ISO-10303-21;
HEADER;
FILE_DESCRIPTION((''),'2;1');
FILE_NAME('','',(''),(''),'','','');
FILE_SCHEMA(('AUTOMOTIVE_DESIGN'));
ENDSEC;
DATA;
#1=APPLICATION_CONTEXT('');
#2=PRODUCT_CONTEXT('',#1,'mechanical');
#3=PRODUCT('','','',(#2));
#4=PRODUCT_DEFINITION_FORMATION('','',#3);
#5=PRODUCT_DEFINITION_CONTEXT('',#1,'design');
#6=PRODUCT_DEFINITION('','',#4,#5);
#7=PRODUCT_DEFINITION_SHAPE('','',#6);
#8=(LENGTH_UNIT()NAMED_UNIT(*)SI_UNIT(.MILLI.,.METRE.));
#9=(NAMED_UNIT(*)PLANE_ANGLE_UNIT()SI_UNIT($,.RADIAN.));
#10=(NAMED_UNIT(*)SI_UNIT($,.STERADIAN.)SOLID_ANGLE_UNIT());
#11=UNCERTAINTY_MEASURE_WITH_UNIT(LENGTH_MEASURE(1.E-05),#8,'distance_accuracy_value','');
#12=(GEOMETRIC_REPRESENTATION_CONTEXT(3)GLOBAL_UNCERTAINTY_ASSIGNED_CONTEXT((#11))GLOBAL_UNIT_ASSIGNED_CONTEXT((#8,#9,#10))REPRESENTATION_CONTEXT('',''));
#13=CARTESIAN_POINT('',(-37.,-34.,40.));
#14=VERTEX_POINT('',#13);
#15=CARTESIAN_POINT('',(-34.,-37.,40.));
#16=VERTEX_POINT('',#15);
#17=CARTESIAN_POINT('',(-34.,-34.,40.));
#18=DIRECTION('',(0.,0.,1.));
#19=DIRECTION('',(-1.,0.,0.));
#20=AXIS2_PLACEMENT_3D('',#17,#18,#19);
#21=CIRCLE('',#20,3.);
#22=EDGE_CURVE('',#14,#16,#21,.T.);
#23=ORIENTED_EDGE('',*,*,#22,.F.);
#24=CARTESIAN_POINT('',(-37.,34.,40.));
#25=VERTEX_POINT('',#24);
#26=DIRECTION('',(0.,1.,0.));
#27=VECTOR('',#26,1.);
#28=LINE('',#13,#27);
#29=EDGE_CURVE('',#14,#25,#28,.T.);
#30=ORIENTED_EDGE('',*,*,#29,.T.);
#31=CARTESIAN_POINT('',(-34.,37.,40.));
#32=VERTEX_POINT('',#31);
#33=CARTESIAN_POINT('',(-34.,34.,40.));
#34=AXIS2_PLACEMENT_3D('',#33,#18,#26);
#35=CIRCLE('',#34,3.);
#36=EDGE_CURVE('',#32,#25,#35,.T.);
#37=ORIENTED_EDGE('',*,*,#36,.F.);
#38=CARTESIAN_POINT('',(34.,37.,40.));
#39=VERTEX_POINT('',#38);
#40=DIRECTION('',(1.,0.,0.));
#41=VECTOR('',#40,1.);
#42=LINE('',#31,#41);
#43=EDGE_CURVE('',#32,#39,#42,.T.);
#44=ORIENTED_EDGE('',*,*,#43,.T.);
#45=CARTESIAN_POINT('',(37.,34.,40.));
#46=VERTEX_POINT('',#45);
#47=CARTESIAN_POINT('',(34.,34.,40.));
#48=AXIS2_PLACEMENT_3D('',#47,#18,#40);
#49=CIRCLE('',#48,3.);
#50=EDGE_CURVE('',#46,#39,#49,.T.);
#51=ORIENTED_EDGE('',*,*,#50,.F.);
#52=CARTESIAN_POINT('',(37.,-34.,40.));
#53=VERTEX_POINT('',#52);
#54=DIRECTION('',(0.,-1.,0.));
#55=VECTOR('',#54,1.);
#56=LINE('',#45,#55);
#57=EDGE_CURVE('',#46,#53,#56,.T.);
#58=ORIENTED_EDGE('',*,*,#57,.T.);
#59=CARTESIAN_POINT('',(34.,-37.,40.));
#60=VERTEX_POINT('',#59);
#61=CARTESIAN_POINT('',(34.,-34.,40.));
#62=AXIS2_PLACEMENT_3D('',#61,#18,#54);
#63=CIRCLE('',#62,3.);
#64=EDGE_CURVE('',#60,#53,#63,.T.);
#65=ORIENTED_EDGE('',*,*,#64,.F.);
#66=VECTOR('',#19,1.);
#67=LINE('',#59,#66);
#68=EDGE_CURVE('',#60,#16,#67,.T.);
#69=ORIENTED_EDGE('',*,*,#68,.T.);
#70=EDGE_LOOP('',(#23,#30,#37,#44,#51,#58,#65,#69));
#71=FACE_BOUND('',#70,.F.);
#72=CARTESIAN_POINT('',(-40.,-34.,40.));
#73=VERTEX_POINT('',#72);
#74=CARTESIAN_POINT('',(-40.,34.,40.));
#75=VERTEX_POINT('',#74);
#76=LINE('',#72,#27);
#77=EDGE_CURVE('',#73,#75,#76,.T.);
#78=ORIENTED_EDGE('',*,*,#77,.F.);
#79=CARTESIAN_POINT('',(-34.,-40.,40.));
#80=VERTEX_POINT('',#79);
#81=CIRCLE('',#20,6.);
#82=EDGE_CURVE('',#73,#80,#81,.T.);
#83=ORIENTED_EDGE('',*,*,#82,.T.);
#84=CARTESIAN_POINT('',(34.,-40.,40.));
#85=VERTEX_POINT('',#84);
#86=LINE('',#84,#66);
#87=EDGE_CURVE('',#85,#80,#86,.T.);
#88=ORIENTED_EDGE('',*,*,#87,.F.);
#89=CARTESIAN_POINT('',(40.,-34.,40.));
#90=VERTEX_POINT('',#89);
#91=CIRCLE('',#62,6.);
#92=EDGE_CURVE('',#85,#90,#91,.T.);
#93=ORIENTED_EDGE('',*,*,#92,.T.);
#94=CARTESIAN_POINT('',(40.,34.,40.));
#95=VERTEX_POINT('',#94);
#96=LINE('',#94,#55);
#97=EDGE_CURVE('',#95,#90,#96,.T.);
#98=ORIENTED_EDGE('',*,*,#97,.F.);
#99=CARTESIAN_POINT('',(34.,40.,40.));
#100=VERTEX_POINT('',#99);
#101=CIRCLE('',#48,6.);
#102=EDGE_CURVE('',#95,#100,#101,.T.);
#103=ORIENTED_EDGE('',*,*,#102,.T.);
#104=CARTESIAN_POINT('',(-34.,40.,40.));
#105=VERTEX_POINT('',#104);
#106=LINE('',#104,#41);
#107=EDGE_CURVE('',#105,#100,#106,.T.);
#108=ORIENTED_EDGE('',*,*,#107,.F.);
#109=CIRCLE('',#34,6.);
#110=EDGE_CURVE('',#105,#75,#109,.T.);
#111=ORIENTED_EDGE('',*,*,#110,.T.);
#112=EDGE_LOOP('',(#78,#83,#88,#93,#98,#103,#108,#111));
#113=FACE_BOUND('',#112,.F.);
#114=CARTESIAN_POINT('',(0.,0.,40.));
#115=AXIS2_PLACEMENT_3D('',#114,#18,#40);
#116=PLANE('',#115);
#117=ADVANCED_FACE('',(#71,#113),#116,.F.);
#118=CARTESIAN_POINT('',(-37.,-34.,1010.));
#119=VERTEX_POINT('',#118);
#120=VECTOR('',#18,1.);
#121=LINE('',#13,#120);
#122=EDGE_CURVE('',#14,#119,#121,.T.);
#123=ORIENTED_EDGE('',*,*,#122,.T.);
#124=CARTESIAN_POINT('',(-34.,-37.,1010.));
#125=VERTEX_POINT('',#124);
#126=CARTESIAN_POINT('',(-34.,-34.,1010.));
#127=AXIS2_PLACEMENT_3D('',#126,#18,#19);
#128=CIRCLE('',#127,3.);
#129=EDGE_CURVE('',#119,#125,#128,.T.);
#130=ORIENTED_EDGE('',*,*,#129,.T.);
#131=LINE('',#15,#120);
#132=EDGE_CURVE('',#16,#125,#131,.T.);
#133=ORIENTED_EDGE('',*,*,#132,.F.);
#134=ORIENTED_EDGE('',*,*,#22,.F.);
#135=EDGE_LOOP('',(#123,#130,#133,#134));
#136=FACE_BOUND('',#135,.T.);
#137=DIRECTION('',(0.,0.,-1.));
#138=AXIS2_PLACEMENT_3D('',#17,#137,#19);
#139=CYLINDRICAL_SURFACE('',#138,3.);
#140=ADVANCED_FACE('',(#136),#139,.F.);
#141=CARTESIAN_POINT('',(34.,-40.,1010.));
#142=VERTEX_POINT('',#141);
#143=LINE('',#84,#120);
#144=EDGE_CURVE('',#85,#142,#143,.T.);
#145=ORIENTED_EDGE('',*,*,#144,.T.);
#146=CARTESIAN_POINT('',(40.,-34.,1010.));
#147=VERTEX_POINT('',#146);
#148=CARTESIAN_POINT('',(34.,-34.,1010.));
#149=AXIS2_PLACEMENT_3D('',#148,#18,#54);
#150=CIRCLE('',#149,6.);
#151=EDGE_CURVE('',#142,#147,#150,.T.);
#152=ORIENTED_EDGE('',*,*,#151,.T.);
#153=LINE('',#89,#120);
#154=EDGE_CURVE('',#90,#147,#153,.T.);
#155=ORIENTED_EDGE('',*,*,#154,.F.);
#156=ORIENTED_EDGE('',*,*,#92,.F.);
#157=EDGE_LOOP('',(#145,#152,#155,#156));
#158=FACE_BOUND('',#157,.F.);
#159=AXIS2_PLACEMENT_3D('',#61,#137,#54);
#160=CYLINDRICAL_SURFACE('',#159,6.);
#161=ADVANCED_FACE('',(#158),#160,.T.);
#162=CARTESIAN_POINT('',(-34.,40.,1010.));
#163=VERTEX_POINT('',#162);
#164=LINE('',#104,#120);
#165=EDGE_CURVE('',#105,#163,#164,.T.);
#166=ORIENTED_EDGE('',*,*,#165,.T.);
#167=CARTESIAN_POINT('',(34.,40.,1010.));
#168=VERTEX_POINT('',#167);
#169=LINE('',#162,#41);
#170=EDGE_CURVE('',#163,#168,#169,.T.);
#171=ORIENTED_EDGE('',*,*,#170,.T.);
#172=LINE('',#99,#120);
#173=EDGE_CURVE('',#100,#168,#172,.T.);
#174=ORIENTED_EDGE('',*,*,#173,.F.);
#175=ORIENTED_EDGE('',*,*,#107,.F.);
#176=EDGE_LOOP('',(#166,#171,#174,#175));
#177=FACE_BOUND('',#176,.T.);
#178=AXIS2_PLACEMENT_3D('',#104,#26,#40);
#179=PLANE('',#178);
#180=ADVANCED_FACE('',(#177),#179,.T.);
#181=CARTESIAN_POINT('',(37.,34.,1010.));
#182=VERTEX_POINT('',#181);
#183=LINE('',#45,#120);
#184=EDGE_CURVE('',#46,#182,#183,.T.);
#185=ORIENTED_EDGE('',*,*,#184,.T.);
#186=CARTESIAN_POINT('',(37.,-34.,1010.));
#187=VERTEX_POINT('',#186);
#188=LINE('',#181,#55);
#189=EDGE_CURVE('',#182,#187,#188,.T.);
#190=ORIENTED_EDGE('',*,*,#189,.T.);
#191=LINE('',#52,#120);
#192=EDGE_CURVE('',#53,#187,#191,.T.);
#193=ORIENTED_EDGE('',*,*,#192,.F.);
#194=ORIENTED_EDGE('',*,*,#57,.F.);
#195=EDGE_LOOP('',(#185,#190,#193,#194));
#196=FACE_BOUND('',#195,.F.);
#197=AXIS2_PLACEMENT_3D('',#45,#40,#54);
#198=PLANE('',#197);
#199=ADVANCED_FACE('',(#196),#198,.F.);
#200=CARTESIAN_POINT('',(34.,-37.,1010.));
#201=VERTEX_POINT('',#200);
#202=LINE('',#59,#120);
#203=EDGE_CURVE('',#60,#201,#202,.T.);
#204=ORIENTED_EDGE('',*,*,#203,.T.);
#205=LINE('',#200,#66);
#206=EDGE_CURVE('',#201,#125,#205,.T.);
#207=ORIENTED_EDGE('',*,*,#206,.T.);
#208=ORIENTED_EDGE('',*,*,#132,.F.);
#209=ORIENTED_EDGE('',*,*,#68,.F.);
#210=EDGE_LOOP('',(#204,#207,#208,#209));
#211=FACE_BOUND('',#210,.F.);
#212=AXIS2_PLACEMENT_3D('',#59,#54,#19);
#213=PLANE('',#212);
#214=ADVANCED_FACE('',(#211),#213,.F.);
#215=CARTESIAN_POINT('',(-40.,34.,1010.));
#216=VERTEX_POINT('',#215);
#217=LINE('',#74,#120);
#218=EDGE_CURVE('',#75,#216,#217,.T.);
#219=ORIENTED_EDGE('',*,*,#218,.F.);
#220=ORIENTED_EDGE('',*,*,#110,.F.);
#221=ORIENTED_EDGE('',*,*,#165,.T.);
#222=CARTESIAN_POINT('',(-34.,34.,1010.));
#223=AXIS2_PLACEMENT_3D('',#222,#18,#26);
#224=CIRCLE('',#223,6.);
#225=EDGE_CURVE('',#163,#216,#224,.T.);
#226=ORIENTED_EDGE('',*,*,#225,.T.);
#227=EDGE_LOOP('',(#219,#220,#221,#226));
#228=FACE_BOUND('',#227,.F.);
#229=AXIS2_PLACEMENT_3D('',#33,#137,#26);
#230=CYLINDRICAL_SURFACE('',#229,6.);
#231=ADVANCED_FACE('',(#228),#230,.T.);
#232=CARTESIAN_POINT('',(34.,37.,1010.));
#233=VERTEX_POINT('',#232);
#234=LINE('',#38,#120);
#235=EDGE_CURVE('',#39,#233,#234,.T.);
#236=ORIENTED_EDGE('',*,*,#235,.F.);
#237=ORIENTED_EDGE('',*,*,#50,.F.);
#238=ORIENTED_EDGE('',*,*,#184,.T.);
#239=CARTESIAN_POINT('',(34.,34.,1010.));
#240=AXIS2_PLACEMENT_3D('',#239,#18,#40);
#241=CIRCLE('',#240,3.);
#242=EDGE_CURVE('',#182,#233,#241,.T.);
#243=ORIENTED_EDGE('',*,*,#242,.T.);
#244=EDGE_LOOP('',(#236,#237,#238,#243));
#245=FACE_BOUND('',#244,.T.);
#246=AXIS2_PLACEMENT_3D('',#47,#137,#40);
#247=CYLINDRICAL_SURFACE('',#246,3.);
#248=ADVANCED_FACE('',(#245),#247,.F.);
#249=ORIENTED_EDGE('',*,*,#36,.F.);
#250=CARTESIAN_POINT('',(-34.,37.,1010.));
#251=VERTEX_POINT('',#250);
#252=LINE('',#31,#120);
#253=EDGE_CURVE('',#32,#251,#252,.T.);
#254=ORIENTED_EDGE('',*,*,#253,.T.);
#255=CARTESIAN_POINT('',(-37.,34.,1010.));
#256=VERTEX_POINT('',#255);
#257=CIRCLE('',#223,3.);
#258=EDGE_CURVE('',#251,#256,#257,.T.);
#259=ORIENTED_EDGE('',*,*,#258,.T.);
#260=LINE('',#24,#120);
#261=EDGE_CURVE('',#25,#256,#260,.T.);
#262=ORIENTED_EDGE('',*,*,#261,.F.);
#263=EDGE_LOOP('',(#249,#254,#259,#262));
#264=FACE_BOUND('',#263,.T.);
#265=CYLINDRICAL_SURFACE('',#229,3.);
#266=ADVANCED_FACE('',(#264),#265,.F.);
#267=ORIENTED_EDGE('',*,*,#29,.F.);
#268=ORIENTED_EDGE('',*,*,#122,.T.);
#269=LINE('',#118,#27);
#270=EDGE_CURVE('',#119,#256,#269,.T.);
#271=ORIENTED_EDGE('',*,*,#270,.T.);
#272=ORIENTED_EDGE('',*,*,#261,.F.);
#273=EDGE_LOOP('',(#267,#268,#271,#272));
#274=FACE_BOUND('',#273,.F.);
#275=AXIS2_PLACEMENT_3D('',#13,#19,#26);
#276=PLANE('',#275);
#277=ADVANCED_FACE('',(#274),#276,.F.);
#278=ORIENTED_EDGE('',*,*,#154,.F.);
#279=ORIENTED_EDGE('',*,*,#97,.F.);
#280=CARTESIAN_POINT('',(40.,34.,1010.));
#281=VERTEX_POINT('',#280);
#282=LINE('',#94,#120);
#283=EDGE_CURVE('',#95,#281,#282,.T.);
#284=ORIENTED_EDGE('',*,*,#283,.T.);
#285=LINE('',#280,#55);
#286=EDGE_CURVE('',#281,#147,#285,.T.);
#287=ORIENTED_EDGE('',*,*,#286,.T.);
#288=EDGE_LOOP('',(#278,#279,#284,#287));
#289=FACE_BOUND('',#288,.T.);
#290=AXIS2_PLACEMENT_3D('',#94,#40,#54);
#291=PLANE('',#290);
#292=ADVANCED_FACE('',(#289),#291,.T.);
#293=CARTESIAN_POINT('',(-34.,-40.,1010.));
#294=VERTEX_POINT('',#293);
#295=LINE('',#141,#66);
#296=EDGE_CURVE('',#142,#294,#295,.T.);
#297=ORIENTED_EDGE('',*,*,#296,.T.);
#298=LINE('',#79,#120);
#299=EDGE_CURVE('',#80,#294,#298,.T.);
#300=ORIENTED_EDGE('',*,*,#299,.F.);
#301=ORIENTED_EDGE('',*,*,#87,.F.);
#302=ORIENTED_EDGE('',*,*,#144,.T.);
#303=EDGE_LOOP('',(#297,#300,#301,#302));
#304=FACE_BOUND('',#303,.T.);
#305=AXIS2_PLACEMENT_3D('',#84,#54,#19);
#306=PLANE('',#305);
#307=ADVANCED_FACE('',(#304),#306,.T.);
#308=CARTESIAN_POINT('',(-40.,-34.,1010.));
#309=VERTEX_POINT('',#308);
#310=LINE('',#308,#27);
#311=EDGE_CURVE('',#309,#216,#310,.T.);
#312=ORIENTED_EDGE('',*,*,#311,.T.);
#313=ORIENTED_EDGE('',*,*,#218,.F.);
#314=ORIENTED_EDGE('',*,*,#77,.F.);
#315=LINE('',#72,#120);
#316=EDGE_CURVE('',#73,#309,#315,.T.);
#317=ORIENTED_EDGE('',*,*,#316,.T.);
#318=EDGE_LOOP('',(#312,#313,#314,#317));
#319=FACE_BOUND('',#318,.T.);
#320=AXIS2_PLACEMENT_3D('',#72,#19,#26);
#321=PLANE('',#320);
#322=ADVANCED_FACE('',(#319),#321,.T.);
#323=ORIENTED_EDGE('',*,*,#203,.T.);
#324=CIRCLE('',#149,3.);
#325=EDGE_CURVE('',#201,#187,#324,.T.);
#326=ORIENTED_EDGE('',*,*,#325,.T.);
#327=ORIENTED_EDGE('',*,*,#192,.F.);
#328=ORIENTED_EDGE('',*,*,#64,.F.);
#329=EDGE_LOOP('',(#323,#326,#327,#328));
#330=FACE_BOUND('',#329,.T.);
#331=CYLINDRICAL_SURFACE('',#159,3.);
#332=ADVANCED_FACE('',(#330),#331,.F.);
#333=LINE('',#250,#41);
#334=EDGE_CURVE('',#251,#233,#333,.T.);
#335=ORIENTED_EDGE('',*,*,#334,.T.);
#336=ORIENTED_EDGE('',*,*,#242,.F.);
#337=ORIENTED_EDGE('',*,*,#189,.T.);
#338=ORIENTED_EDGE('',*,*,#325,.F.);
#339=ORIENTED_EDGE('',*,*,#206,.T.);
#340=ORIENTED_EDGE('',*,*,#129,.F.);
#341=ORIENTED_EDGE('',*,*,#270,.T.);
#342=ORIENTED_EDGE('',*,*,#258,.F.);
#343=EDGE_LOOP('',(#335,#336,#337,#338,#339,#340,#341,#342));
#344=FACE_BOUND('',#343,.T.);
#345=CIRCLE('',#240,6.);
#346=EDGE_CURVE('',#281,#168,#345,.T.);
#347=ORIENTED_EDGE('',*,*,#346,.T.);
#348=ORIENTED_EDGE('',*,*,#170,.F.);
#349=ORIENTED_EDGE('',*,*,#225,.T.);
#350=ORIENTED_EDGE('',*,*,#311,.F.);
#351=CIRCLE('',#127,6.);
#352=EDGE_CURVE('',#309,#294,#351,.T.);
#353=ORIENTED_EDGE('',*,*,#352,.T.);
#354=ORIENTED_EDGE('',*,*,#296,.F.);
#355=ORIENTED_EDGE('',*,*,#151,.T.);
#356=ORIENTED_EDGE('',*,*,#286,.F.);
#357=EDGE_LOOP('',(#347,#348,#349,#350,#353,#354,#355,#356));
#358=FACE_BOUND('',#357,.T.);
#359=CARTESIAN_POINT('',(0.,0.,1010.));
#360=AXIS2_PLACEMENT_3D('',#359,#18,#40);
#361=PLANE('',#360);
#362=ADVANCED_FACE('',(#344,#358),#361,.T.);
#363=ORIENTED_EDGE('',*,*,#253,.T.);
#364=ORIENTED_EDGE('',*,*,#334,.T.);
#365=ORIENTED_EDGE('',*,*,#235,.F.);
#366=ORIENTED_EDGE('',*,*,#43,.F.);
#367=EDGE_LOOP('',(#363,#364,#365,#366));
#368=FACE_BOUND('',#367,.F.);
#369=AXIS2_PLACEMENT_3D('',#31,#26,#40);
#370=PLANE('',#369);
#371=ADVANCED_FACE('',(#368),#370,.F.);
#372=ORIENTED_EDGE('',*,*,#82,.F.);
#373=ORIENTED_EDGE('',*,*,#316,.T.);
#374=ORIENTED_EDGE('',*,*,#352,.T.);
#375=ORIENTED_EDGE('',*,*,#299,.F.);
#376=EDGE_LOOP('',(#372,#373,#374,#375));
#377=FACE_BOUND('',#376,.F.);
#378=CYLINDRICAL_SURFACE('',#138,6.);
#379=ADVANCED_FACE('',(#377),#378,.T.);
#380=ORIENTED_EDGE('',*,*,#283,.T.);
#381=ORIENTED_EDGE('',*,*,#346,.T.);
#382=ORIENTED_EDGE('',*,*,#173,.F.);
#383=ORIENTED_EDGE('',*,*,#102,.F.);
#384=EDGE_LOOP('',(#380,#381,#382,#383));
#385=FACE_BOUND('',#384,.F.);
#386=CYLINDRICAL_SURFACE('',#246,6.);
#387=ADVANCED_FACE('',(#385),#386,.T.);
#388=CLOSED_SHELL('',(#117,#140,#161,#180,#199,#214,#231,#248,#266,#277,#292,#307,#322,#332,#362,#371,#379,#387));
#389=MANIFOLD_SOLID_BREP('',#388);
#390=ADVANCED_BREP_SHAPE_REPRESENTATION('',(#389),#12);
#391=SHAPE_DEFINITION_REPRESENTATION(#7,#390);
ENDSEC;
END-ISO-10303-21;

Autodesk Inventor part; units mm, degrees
ref_plane "YZ Plane" through (0, 0, 0) normal (1, 0, 0) x (0, 1, 0)
ref_plane "Start Plane" through (0, 0, 40) normal (0, 0, 1) x (1, 0, 0)
ref_plane "End Plane" through (0, 0, 1010) normal (0, 0, 1) x (1, 0, 0)
sketch "Sketch" plane through (0, 0, 0) normal (0, 0, 1) x (1, 0, 0)
  line L0 (-40, -34) -> (-40, 34)
  line L1 (-34, 40) -> (34, 40)
  line L2 (40, 34) -> (40, -34)
  line L3 (34, -40) -> (-34, -40)
  arc A0 (-40, -34) -> (-34, -40) centre (-34, -34) ccw
  arc A1 (40, 34) -> (34, 40) centre (34, 34) ccw
  arc A2 (-34, 40) -> (-40, 34) centre (-34, 34) ccw
  arc A3 (34, -40) -> (40, -34) centre (34, -34) ccw
  arc A4 (-34, 37) -> (-37, 34) centre (-34, 34) ccw
  line L4 (-34, 37) -> (34, 37)
  arc A5 (37, 34) -> (34, 37) centre (34, 34) ccw
  line L5 (37, 34) -> (37, -34)
  arc A6 (34, -37) -> (37, -34) centre (34, -34) ccw
  line L6 (34, -37) -> (-34, -37)
  arc A7 (-37, -34) -> (-34, -37) centre (-34, -34) ccw
  line L7 (-37, -34) -> (-37, 34)
  line L8 (0, 57.7397) -> (0, -57.7397) construction
  line L9 (-57.7397, 0) -> (57.7397, 0) construction
  dimension "d7" = 6
  dimension "d9" = 80
  dimension "d11" = 80
  dimension "d12" = 3
  dimension "d15" = 40
  dimension "d16" = 40
extrude "Body" add sketch "Sketch" along normal up to surface (970 mm away) from surface at 40
sketch "Sketch3" plane through (0, 0, 0) normal (0, 0, 1) x (1, 0, 0)
  line L0 (0, 0) -> (10, 0)
ref_plane "Work Plane3" through (0, 0, 0) normal (0, -1, 0) x (1, 0, 0)
sketch "Sketch4" plane through (0, 0, 0) normal (0, -1, 0) x (1, 0, 0)
  line L0 (-2, 40) -> (12, 40) projected
  line L1 (-2, 1010) -> (12, 1010) projected
  dimension "d18" = 970
equation "\"d7\" = G_IR"
equation "\"d9\" = G_W"
equation "\"d11\" = G_H"
equation "\"d12\" = G_T"
equation "\"d15\" = 0.5 * d9"
equation "\"d16\" = 0.5 * d11"
equation "\"d3\" = G_L"
equation "\"G_W\" = 80"
equation "\"G_H\" = 80"
equation "\"G_T\" = 3"
equation "\"G_IR\" = 6"
equation "\"G_L\" = d18"
properties part number "ISO 10799-2 - 80x80x3 - 970" material "Steel, Mild"
